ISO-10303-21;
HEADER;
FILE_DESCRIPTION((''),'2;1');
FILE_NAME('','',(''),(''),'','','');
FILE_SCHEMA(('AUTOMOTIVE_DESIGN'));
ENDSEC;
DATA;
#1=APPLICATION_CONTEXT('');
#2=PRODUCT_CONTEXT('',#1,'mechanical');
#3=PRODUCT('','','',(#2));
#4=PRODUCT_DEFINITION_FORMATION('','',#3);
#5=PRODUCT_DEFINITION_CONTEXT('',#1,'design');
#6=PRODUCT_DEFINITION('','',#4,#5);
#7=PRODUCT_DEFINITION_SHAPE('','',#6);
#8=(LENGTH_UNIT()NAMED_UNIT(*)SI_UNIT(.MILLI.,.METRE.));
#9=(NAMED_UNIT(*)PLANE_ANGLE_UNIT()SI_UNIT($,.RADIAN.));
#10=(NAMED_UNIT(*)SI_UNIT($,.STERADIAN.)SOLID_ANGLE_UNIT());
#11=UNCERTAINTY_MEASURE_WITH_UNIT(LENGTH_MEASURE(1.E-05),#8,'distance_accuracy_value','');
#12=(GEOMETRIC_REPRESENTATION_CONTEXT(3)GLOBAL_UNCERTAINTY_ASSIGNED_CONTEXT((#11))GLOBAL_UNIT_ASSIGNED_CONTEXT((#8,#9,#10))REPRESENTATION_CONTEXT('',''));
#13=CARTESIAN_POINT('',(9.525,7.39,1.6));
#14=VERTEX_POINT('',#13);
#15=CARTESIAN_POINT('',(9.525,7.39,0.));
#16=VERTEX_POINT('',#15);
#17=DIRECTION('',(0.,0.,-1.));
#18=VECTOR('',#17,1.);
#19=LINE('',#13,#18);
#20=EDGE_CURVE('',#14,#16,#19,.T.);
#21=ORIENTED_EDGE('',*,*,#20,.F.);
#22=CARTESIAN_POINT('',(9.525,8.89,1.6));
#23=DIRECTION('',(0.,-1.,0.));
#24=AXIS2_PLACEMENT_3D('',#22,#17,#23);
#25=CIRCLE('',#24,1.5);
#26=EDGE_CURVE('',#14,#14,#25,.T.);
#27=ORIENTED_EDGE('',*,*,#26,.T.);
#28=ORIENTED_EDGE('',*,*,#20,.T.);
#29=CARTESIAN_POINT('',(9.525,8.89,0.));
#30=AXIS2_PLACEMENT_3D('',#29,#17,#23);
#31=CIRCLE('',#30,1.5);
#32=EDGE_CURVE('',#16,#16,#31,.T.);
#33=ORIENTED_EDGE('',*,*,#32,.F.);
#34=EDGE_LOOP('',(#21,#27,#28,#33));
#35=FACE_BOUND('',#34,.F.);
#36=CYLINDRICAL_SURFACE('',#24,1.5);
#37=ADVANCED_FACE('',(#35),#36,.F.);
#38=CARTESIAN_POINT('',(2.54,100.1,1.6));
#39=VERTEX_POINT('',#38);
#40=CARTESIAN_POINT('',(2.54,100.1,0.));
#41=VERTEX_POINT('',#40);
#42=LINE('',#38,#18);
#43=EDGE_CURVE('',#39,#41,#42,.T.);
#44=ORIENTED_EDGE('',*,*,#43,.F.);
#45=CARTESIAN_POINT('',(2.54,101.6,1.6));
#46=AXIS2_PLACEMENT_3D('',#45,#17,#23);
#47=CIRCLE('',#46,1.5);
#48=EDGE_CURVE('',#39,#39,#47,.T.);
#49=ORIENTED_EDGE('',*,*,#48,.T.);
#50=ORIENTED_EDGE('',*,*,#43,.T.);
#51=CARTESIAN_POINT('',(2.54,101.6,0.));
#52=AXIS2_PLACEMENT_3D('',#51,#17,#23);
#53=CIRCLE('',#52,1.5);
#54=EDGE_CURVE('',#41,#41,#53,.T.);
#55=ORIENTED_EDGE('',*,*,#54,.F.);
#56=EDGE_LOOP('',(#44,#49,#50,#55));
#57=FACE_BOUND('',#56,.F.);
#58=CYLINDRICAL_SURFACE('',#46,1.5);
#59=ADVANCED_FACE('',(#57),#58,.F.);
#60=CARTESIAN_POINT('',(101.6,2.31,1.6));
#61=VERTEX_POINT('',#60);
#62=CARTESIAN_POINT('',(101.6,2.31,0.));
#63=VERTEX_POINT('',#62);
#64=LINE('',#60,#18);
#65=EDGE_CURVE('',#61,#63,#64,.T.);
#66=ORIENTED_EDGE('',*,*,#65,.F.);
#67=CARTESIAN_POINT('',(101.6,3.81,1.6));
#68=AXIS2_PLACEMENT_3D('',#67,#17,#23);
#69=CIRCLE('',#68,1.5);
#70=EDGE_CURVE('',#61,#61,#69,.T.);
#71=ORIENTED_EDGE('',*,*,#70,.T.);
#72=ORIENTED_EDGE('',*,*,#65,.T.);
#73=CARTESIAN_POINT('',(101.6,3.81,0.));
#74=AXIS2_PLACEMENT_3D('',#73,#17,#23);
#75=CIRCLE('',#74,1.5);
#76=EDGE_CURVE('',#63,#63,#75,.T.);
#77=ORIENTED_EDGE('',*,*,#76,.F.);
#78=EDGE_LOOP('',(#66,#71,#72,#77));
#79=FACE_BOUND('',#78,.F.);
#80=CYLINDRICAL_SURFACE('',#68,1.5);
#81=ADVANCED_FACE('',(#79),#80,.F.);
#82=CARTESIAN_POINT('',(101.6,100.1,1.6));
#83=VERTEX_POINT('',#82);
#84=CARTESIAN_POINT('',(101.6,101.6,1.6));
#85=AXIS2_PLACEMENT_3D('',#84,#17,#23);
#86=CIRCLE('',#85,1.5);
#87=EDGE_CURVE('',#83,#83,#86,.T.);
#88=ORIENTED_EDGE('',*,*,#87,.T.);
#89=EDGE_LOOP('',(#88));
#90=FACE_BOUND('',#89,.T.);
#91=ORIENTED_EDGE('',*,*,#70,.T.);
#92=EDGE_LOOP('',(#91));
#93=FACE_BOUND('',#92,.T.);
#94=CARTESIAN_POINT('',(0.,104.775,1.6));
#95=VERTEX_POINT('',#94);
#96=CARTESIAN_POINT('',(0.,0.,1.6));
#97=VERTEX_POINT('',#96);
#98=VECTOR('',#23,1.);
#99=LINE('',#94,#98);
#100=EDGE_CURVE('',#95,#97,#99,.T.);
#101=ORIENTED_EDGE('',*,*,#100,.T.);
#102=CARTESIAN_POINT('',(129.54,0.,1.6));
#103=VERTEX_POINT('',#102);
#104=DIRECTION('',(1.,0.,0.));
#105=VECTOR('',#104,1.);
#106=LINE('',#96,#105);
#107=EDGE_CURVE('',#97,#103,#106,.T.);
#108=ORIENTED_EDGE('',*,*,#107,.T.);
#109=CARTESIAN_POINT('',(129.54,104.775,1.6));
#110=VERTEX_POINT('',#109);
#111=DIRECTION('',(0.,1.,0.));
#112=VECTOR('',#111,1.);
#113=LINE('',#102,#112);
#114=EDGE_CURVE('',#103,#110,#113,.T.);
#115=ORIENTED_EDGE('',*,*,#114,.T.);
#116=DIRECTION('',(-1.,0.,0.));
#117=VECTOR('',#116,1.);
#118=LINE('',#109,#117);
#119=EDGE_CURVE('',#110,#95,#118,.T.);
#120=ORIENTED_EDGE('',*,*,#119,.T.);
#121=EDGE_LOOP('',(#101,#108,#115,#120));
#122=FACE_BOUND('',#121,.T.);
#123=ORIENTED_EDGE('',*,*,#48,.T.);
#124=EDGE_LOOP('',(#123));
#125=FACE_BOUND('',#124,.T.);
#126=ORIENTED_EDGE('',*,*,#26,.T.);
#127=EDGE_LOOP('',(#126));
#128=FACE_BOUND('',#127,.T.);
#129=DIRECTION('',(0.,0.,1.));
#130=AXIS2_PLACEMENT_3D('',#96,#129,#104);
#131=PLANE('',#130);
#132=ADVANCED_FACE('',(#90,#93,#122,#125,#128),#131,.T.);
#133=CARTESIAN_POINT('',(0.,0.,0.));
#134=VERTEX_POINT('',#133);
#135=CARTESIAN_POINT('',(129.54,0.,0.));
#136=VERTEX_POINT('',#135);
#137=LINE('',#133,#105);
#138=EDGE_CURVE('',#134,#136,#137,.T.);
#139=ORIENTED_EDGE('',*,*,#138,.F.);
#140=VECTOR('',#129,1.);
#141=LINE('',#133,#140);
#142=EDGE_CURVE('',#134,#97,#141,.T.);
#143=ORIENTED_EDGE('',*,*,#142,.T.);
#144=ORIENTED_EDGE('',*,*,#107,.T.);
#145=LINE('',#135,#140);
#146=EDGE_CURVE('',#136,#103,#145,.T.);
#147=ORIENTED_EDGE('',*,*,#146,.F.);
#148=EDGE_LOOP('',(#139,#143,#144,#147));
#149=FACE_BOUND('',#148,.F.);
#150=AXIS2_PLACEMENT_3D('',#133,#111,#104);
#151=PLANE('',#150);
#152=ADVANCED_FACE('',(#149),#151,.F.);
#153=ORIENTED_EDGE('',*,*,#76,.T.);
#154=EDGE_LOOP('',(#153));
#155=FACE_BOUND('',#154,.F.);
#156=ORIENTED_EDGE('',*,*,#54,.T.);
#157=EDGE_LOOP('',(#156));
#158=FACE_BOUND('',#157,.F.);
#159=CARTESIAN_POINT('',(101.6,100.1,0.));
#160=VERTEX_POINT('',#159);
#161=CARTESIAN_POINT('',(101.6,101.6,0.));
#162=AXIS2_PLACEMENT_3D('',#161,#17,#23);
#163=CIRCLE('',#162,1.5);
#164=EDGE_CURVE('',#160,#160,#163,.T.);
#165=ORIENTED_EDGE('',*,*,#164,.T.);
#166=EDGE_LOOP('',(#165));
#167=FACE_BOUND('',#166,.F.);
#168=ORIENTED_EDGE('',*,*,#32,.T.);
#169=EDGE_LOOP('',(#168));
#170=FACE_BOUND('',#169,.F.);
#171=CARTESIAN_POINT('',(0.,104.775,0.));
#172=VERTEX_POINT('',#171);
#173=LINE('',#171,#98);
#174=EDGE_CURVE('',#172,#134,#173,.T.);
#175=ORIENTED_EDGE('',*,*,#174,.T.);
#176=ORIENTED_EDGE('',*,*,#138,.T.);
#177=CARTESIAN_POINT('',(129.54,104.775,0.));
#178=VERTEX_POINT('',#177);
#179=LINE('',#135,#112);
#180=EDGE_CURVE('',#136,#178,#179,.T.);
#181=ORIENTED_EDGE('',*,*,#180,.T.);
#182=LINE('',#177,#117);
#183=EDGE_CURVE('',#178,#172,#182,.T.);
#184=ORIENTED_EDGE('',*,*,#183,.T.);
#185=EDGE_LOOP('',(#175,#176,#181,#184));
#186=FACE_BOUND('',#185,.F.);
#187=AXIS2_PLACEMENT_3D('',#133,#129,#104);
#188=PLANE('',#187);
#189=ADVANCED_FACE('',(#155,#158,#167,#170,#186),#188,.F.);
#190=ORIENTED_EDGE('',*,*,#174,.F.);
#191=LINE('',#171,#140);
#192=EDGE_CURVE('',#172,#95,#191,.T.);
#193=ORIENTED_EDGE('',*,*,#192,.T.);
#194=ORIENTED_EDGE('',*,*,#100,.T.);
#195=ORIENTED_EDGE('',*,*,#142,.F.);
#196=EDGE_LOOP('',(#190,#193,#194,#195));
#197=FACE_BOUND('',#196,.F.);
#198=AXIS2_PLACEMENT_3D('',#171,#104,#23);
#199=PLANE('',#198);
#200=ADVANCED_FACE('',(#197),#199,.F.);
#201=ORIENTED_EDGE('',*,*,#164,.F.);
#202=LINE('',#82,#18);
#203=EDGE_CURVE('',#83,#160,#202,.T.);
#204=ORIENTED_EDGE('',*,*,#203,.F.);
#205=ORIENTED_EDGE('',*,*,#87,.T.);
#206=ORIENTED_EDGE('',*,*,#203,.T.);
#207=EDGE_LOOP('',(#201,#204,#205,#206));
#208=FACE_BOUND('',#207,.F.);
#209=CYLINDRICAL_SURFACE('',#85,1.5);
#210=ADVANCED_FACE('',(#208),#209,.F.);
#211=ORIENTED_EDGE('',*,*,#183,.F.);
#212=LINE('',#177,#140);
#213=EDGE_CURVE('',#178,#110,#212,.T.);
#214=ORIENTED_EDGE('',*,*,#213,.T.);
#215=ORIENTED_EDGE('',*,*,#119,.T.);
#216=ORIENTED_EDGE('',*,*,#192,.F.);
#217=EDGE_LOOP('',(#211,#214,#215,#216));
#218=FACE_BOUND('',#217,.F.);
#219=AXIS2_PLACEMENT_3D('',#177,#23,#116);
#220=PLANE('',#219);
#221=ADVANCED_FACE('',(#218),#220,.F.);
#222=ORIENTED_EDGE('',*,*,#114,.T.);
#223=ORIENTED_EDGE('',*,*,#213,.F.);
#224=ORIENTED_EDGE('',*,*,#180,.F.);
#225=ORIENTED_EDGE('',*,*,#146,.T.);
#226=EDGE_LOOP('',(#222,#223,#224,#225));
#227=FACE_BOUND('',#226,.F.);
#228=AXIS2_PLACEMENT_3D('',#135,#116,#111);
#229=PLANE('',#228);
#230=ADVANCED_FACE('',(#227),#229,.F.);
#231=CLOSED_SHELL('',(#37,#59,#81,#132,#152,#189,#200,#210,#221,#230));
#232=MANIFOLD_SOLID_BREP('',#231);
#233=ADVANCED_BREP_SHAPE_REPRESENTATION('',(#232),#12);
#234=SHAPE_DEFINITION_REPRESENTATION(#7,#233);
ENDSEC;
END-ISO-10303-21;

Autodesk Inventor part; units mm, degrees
ref_plane "YZ Plane" through (0, 0, 0) normal (1, 0, 0) x (0, 1, 0)
ref_plane "XZ Plane" through (0, 0, 0) normal (0, 1, 0) x (-1, 0, 0)
ref_plane "XY Plane" through (0, 0, 0) normal (0, 0, 1) x (1, 0, 0)
sketch "Sketch1" plane through (0, 0, 0) normal (0, 0, 1) x (1, 0, 0)
  line L0 (0, 0) -> (129.54, 0)
  line L1 (129.54, 0) -> (129.54, 104.775)
  line L2 (129.54, 104.775) -> (0, 104.775)
  line L3 (0, 104.775) -> (0, 0)
  dimension "d0" = 129.54
  dimension "d1" = 104.775
extrude "Extrusion1" add sketch "Sketch1" along normal blind 1.6
sketch "Sketch2" plane through (0, 0, 1.6) normal (0, 0, 1) x (1, 0, 0)
  line L0 (0, 0) -> (129.54, 0) projected
  line L1 (0, 104.775) -> (0, 0) projected
  point P0 (9.525, 8.89)
  point P1 (101.6, 3.81)
  point P2 (2.54, 101.6)
  point P3 (101.6, 101.6)
  dimension "d5" = 8.89
  dimension "d6" = 9.525
  dimension "d7" = 3.81
  dimension "d8" = 101.6
  dimension "d9" = 2.54
  dimension "d10" = 101.6
hole "Hole1" at (9.525, 8.89, 1.6) at (101.6, 3.81, 1.6) at (2.54, 101.6, 1.6) at (101.6, 101.6, 1.6) direction (0, 0, -1) diameter 3 end through all
properties part number "Smoothieboard"
